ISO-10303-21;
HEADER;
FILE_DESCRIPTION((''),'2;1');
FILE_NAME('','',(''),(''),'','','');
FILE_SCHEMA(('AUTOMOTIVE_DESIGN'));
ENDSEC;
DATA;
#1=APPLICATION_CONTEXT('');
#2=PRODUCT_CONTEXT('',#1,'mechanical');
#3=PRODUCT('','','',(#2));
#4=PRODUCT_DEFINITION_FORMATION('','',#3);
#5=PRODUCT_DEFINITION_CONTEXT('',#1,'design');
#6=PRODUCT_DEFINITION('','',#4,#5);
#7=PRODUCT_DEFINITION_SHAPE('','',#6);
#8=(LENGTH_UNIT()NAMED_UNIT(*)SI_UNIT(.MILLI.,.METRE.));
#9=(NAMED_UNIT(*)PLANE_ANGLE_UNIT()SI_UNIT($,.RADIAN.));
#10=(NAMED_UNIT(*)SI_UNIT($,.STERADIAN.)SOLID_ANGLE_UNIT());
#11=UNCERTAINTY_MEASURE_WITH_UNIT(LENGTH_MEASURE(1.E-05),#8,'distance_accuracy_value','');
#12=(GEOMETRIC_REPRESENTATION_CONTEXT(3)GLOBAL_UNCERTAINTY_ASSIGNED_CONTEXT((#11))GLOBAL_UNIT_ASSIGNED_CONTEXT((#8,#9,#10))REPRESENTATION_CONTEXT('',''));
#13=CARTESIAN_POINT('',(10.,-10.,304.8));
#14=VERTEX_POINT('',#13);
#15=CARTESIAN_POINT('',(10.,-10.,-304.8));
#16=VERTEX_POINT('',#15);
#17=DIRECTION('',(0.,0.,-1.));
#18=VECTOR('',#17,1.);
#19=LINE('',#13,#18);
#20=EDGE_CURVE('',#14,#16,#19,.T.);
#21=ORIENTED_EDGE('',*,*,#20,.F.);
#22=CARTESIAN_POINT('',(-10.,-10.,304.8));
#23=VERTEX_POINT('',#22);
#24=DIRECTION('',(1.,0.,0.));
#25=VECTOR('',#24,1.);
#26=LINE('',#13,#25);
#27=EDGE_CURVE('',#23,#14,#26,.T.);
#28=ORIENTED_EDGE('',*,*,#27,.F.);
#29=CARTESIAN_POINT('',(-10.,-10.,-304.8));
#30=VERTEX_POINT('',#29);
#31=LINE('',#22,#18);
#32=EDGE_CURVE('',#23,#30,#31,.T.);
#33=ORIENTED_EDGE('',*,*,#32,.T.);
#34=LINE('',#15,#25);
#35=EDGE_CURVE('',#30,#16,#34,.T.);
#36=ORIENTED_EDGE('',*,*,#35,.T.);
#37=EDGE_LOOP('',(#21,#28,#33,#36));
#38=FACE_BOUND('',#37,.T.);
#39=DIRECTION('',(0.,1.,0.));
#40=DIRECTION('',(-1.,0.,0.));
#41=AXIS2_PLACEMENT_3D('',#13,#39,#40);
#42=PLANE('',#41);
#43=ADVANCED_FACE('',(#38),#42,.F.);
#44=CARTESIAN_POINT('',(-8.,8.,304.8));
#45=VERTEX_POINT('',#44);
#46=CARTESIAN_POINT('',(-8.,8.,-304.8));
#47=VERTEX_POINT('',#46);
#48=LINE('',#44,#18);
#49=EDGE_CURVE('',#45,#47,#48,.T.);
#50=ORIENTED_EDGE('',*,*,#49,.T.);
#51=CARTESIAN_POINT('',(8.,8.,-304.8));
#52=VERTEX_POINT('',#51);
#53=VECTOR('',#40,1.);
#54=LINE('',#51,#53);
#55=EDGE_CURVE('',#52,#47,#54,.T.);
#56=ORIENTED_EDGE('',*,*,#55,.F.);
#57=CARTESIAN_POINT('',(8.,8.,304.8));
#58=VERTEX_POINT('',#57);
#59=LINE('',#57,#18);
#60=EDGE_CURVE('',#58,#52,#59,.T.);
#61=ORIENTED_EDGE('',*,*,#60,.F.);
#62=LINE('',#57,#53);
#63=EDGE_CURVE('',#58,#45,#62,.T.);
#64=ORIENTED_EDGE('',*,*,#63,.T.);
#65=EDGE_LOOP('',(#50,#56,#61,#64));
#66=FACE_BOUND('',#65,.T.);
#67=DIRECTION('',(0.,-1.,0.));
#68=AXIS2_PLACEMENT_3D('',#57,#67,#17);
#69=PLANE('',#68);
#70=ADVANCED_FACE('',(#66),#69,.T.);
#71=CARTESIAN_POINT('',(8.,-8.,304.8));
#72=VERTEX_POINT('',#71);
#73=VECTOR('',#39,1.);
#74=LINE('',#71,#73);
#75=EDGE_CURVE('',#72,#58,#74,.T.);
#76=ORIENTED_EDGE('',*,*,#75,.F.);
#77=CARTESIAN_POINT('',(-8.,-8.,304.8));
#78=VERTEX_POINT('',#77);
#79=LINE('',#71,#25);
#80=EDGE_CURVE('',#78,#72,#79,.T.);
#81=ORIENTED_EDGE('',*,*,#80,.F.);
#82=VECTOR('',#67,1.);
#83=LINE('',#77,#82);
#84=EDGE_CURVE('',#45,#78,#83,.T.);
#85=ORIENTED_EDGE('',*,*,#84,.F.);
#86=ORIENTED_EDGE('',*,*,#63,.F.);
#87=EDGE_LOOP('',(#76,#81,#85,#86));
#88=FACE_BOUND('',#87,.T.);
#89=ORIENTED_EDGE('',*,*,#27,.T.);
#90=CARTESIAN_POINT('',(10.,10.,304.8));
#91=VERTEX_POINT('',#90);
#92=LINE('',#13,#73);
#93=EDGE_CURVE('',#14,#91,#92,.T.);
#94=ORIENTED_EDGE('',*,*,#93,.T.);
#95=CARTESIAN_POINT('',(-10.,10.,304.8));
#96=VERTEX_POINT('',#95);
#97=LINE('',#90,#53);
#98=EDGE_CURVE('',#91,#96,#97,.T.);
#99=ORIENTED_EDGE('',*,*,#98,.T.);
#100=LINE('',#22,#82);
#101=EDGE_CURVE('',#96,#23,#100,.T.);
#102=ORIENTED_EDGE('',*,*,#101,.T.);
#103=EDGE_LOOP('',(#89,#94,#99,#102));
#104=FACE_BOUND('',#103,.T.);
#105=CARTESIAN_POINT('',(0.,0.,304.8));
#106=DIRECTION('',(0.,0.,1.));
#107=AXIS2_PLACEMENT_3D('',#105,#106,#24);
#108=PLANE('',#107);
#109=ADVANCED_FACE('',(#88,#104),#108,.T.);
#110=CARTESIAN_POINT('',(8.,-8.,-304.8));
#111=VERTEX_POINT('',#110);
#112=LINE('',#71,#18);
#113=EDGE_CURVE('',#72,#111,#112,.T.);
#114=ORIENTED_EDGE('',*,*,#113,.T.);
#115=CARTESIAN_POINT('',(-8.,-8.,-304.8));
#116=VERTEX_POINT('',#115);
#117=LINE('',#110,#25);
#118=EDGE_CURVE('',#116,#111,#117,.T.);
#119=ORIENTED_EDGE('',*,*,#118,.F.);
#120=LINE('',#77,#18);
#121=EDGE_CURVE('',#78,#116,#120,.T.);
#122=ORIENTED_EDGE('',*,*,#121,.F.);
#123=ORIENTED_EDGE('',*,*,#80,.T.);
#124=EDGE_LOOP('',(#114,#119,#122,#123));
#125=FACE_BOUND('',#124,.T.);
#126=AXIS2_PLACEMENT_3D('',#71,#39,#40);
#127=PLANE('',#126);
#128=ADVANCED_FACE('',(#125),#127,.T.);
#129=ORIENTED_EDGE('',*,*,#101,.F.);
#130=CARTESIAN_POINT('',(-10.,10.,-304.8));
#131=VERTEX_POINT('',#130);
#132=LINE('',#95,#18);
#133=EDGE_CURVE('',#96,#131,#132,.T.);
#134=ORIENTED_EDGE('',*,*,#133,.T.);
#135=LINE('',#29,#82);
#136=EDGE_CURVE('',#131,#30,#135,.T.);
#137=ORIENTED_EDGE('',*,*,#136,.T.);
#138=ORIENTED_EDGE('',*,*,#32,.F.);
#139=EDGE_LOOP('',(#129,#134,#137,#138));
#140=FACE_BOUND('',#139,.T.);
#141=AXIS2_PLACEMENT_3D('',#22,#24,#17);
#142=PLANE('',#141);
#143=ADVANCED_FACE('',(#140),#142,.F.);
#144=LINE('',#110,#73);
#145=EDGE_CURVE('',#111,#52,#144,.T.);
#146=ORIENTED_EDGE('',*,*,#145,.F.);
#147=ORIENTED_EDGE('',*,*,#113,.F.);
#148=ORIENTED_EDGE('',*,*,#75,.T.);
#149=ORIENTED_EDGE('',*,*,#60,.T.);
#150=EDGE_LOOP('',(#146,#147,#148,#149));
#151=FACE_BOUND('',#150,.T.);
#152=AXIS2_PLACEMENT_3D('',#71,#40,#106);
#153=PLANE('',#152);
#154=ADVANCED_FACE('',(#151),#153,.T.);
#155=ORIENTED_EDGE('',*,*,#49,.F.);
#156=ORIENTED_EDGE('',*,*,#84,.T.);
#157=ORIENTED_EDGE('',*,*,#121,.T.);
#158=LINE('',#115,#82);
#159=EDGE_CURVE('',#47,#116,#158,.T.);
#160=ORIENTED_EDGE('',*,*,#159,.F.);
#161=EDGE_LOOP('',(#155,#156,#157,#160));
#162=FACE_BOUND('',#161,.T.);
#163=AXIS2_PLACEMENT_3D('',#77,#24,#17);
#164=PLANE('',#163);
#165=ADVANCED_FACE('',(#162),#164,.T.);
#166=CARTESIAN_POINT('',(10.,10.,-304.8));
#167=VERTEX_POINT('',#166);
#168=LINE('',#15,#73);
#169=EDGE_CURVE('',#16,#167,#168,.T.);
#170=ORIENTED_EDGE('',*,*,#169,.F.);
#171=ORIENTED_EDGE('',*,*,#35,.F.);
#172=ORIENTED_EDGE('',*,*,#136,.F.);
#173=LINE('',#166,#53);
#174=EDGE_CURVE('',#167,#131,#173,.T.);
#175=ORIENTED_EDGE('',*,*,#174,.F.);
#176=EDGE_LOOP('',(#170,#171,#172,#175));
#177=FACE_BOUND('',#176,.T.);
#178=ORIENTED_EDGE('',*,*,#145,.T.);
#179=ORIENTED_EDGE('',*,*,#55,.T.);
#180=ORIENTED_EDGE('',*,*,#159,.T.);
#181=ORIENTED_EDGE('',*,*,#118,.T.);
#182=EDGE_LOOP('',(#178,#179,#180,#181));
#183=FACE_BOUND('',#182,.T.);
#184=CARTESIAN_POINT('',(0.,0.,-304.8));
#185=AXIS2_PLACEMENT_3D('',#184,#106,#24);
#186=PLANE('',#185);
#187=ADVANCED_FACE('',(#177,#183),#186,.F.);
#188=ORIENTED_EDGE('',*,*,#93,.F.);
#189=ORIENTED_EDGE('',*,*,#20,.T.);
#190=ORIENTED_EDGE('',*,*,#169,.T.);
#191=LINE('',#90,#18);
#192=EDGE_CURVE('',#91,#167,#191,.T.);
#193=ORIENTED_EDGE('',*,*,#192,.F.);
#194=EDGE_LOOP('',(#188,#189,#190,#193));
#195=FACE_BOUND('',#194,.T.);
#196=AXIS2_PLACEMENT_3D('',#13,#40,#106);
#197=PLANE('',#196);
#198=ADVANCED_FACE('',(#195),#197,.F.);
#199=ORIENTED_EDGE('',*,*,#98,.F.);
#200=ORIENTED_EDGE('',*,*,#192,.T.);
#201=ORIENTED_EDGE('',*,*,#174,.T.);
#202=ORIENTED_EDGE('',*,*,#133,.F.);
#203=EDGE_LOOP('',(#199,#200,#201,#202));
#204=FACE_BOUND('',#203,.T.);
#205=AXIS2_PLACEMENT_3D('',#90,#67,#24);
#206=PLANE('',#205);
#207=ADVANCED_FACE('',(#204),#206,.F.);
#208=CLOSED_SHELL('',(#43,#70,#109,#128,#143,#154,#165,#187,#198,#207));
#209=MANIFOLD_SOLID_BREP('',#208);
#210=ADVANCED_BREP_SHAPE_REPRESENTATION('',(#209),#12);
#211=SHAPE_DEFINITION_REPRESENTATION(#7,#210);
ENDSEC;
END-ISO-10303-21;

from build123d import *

# Parameters (mm, degrees)
BOSS_EXTRUDE1_DEPTH      = 304.8
BOSS_EXTRUDE1_DEPTH_BACK = 304.8
SKETCH3_W                = 20
SKETCH3_H                = 20
SKETCH3_W_2              = 16
SKETCH3_H_2              = 16


with BuildPart() as part:
    # Sketch3 → Boss-Extrude1 (new, two sides: drawn at the far end of the back side and taken through both)
    with BuildSketch(Plane.XY.offset(-BOSS_EXTRUDE1_DEPTH_BACK)):
        Rectangle(SKETCH3_W, SKETCH3_H)
        Rectangle(SKETCH3_W_2, SKETCH3_H_2, mode=Mode.SUBTRACT)
    extrude(amount=BOSS_EXTRUDE1_DEPTH + BOSS_EXTRUDE1_DEPTH_BACK)


solid = part.part
